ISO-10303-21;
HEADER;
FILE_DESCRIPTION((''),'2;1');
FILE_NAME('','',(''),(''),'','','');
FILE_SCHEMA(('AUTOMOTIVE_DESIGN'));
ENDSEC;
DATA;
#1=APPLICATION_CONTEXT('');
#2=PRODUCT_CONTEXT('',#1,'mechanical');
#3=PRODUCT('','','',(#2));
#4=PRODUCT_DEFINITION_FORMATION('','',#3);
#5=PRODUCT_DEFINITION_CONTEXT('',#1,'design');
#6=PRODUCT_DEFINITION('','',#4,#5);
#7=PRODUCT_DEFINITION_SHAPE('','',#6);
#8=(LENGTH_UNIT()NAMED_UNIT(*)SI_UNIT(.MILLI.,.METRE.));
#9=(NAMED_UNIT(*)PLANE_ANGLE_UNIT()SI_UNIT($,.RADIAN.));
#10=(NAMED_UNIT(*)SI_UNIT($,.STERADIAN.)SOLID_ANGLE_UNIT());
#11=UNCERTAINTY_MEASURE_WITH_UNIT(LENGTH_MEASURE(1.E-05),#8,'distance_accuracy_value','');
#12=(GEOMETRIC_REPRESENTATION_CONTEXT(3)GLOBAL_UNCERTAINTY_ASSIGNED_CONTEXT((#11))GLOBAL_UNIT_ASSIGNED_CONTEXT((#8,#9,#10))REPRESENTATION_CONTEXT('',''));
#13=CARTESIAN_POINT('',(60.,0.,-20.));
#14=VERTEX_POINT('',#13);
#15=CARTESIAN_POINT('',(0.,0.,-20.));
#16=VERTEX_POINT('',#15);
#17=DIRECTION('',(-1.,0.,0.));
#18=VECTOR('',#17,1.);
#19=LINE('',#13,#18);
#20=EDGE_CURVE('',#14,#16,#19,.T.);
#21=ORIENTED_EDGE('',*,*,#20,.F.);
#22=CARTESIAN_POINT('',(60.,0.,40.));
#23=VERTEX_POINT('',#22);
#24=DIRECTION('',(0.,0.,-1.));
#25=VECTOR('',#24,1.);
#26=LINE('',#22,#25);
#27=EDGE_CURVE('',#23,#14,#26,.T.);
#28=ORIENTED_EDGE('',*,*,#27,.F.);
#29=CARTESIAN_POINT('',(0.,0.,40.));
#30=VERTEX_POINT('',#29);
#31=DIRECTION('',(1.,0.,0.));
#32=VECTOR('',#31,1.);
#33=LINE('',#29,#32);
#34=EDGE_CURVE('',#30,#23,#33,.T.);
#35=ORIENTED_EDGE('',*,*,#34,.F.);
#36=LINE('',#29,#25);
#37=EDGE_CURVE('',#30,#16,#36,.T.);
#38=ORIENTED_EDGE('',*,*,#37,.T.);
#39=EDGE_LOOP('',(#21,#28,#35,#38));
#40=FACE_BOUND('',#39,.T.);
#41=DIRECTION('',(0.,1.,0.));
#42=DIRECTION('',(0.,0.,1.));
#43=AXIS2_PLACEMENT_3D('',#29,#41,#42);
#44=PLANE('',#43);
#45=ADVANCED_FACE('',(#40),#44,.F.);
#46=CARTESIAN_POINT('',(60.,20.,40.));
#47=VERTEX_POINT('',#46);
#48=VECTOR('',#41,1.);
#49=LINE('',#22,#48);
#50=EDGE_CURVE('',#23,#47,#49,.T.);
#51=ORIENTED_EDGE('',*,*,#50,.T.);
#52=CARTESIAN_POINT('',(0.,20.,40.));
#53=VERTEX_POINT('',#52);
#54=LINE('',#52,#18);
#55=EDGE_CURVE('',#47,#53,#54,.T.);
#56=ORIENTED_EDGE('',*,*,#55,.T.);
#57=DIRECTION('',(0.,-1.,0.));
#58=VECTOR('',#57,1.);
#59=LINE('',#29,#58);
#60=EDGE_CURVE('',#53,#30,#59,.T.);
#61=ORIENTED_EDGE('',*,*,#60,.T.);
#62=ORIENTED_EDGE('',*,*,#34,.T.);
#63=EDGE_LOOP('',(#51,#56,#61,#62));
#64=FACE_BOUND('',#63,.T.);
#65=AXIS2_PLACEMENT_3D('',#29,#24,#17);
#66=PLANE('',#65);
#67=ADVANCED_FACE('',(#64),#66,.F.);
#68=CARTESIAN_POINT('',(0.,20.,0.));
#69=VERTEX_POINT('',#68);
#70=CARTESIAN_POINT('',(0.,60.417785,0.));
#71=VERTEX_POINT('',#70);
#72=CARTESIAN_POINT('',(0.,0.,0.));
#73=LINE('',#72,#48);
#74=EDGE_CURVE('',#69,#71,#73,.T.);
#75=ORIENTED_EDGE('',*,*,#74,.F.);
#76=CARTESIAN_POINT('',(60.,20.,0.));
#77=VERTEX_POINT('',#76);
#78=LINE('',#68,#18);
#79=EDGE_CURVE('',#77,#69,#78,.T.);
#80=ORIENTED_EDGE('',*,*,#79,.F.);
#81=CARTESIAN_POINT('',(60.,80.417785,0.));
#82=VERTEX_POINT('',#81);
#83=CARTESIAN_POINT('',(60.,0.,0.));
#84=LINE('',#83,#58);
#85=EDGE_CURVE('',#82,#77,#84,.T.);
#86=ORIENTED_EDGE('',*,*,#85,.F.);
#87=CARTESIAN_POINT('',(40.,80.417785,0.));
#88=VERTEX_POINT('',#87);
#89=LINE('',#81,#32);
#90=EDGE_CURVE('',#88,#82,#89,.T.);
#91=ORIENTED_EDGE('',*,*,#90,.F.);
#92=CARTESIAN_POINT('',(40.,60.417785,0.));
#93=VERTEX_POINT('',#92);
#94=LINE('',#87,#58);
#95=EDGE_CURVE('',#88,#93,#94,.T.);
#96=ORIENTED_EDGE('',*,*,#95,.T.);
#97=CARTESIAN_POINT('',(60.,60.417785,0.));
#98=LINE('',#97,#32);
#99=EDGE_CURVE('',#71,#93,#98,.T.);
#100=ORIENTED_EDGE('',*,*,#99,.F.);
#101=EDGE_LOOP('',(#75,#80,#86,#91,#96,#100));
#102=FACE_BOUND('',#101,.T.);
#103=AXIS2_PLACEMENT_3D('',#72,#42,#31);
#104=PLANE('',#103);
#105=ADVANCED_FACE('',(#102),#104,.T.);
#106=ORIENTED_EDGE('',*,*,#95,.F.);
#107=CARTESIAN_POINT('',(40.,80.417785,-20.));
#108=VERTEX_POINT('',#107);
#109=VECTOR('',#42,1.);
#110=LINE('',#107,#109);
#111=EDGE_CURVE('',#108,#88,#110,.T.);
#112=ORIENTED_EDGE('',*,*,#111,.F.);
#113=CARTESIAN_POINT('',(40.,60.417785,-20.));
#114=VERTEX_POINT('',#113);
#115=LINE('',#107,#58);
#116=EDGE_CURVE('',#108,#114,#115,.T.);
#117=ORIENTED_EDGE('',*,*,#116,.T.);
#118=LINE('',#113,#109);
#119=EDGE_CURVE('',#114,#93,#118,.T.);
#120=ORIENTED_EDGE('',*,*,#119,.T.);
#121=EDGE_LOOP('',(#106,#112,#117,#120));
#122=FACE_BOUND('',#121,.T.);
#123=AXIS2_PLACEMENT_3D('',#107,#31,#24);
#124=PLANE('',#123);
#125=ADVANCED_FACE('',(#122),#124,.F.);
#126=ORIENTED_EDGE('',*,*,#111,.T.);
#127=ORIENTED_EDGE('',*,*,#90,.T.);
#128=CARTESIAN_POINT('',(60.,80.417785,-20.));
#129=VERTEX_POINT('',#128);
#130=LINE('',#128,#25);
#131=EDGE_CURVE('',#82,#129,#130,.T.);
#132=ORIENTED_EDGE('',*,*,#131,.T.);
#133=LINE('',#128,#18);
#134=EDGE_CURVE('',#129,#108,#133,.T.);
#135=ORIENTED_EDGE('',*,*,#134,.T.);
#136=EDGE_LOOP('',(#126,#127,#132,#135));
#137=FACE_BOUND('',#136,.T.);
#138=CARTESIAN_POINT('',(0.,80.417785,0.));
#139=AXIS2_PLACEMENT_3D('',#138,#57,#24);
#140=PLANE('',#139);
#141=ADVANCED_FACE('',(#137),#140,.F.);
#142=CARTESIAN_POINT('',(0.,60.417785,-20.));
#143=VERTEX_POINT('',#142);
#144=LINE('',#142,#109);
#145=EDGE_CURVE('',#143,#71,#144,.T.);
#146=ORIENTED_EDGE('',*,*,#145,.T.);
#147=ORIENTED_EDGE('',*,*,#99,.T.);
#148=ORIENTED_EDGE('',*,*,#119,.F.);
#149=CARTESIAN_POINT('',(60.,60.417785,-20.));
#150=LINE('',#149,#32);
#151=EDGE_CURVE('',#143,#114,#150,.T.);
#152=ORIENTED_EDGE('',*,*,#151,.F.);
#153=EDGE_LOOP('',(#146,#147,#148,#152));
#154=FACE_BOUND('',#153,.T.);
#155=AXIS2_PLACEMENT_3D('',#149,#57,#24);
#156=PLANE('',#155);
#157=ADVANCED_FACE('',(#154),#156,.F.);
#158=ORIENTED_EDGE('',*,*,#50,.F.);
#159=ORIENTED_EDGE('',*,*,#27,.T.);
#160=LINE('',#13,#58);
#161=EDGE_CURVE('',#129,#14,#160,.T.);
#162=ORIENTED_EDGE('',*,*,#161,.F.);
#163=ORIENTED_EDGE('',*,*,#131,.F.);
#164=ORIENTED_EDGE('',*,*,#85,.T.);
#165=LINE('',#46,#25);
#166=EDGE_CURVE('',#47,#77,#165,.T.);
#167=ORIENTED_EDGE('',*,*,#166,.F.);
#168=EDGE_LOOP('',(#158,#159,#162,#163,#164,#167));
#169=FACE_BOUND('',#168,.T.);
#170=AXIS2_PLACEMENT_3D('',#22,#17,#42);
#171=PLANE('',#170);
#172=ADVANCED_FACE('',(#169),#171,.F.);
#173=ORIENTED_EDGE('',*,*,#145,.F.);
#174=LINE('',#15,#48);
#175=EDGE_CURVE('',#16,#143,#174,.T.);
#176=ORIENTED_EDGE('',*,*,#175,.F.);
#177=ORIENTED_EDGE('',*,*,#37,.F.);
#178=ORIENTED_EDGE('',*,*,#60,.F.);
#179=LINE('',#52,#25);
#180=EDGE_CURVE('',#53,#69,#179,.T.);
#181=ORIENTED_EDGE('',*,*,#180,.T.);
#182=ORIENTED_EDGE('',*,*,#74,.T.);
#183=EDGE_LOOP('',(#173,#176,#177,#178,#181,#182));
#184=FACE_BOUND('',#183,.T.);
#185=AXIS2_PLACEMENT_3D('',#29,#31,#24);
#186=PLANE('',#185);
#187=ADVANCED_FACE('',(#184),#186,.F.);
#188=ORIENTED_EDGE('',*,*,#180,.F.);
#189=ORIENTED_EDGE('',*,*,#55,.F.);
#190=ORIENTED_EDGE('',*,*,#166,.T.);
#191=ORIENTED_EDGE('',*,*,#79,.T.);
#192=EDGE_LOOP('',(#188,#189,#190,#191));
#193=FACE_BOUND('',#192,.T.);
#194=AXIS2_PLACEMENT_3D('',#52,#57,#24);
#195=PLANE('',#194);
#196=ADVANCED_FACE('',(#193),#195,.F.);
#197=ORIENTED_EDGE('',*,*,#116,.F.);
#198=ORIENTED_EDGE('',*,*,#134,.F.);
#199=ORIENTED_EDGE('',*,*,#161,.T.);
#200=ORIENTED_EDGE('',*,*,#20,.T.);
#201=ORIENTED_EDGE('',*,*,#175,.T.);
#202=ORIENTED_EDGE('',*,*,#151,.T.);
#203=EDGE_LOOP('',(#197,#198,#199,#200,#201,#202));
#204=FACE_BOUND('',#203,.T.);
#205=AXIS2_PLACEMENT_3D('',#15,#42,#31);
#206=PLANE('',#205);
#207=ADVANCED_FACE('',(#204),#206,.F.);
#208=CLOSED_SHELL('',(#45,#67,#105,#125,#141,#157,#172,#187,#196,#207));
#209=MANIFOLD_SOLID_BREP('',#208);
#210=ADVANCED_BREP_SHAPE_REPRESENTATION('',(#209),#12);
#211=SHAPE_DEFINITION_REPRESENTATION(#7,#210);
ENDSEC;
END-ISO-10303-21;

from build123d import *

# Parameters (mm, degrees)
ESBO_O1_W                = 60
ESBO_O1_H                = 20
RESSALTO_EXTRUS_O1_DEPTH = 40
ESBO_O2_W                = 60
ESBO_O2_H                = 60.417785093
RESSALTO_EXTRUS_O2_DEPTH = 20
ESBO_O3_W                = 20
ESBO_O3_H                = 20
RESSALTO_EXTRUS_O3_DEPTH = 20


with BuildPart() as part:
    # Esboço1 → Ressalto-extrusão1 (new body)
    with BuildSketch(Plane.XY):
        with Locations((30, 10)):
            Rectangle(ESBO_O1_W, ESBO_O1_H)
    extrude(amount=RESSALTO_EXTRUS_O1_DEPTH)

    # Esboço2 → Ressalto-extrusão2 (add)
    with BuildSketch(Plane(origin=(0, 0, 0), x_dir=(-1, 0, 0), z_dir=(0, 0, -1))):
        with Locations((-30, 30.208892547)):
            Rectangle(ESBO_O2_W, ESBO_O2_H)
    extrude(amount=RESSALTO_EXTRUS_O2_DEPTH)

    # Esboço3 → Ressalto-extrusão3 (add)
    with BuildSketch(Plane(origin=(0, 60.417785093, 0), x_dir=(1, 0, 0), z_dir=(0, 1, 0))):
        with Locations((50, 10)):
            Rectangle(ESBO_O3_W, ESBO_O3_H)
    extrude(amount=RESSALTO_EXTRUS_O3_DEPTH)


solid = part.part
